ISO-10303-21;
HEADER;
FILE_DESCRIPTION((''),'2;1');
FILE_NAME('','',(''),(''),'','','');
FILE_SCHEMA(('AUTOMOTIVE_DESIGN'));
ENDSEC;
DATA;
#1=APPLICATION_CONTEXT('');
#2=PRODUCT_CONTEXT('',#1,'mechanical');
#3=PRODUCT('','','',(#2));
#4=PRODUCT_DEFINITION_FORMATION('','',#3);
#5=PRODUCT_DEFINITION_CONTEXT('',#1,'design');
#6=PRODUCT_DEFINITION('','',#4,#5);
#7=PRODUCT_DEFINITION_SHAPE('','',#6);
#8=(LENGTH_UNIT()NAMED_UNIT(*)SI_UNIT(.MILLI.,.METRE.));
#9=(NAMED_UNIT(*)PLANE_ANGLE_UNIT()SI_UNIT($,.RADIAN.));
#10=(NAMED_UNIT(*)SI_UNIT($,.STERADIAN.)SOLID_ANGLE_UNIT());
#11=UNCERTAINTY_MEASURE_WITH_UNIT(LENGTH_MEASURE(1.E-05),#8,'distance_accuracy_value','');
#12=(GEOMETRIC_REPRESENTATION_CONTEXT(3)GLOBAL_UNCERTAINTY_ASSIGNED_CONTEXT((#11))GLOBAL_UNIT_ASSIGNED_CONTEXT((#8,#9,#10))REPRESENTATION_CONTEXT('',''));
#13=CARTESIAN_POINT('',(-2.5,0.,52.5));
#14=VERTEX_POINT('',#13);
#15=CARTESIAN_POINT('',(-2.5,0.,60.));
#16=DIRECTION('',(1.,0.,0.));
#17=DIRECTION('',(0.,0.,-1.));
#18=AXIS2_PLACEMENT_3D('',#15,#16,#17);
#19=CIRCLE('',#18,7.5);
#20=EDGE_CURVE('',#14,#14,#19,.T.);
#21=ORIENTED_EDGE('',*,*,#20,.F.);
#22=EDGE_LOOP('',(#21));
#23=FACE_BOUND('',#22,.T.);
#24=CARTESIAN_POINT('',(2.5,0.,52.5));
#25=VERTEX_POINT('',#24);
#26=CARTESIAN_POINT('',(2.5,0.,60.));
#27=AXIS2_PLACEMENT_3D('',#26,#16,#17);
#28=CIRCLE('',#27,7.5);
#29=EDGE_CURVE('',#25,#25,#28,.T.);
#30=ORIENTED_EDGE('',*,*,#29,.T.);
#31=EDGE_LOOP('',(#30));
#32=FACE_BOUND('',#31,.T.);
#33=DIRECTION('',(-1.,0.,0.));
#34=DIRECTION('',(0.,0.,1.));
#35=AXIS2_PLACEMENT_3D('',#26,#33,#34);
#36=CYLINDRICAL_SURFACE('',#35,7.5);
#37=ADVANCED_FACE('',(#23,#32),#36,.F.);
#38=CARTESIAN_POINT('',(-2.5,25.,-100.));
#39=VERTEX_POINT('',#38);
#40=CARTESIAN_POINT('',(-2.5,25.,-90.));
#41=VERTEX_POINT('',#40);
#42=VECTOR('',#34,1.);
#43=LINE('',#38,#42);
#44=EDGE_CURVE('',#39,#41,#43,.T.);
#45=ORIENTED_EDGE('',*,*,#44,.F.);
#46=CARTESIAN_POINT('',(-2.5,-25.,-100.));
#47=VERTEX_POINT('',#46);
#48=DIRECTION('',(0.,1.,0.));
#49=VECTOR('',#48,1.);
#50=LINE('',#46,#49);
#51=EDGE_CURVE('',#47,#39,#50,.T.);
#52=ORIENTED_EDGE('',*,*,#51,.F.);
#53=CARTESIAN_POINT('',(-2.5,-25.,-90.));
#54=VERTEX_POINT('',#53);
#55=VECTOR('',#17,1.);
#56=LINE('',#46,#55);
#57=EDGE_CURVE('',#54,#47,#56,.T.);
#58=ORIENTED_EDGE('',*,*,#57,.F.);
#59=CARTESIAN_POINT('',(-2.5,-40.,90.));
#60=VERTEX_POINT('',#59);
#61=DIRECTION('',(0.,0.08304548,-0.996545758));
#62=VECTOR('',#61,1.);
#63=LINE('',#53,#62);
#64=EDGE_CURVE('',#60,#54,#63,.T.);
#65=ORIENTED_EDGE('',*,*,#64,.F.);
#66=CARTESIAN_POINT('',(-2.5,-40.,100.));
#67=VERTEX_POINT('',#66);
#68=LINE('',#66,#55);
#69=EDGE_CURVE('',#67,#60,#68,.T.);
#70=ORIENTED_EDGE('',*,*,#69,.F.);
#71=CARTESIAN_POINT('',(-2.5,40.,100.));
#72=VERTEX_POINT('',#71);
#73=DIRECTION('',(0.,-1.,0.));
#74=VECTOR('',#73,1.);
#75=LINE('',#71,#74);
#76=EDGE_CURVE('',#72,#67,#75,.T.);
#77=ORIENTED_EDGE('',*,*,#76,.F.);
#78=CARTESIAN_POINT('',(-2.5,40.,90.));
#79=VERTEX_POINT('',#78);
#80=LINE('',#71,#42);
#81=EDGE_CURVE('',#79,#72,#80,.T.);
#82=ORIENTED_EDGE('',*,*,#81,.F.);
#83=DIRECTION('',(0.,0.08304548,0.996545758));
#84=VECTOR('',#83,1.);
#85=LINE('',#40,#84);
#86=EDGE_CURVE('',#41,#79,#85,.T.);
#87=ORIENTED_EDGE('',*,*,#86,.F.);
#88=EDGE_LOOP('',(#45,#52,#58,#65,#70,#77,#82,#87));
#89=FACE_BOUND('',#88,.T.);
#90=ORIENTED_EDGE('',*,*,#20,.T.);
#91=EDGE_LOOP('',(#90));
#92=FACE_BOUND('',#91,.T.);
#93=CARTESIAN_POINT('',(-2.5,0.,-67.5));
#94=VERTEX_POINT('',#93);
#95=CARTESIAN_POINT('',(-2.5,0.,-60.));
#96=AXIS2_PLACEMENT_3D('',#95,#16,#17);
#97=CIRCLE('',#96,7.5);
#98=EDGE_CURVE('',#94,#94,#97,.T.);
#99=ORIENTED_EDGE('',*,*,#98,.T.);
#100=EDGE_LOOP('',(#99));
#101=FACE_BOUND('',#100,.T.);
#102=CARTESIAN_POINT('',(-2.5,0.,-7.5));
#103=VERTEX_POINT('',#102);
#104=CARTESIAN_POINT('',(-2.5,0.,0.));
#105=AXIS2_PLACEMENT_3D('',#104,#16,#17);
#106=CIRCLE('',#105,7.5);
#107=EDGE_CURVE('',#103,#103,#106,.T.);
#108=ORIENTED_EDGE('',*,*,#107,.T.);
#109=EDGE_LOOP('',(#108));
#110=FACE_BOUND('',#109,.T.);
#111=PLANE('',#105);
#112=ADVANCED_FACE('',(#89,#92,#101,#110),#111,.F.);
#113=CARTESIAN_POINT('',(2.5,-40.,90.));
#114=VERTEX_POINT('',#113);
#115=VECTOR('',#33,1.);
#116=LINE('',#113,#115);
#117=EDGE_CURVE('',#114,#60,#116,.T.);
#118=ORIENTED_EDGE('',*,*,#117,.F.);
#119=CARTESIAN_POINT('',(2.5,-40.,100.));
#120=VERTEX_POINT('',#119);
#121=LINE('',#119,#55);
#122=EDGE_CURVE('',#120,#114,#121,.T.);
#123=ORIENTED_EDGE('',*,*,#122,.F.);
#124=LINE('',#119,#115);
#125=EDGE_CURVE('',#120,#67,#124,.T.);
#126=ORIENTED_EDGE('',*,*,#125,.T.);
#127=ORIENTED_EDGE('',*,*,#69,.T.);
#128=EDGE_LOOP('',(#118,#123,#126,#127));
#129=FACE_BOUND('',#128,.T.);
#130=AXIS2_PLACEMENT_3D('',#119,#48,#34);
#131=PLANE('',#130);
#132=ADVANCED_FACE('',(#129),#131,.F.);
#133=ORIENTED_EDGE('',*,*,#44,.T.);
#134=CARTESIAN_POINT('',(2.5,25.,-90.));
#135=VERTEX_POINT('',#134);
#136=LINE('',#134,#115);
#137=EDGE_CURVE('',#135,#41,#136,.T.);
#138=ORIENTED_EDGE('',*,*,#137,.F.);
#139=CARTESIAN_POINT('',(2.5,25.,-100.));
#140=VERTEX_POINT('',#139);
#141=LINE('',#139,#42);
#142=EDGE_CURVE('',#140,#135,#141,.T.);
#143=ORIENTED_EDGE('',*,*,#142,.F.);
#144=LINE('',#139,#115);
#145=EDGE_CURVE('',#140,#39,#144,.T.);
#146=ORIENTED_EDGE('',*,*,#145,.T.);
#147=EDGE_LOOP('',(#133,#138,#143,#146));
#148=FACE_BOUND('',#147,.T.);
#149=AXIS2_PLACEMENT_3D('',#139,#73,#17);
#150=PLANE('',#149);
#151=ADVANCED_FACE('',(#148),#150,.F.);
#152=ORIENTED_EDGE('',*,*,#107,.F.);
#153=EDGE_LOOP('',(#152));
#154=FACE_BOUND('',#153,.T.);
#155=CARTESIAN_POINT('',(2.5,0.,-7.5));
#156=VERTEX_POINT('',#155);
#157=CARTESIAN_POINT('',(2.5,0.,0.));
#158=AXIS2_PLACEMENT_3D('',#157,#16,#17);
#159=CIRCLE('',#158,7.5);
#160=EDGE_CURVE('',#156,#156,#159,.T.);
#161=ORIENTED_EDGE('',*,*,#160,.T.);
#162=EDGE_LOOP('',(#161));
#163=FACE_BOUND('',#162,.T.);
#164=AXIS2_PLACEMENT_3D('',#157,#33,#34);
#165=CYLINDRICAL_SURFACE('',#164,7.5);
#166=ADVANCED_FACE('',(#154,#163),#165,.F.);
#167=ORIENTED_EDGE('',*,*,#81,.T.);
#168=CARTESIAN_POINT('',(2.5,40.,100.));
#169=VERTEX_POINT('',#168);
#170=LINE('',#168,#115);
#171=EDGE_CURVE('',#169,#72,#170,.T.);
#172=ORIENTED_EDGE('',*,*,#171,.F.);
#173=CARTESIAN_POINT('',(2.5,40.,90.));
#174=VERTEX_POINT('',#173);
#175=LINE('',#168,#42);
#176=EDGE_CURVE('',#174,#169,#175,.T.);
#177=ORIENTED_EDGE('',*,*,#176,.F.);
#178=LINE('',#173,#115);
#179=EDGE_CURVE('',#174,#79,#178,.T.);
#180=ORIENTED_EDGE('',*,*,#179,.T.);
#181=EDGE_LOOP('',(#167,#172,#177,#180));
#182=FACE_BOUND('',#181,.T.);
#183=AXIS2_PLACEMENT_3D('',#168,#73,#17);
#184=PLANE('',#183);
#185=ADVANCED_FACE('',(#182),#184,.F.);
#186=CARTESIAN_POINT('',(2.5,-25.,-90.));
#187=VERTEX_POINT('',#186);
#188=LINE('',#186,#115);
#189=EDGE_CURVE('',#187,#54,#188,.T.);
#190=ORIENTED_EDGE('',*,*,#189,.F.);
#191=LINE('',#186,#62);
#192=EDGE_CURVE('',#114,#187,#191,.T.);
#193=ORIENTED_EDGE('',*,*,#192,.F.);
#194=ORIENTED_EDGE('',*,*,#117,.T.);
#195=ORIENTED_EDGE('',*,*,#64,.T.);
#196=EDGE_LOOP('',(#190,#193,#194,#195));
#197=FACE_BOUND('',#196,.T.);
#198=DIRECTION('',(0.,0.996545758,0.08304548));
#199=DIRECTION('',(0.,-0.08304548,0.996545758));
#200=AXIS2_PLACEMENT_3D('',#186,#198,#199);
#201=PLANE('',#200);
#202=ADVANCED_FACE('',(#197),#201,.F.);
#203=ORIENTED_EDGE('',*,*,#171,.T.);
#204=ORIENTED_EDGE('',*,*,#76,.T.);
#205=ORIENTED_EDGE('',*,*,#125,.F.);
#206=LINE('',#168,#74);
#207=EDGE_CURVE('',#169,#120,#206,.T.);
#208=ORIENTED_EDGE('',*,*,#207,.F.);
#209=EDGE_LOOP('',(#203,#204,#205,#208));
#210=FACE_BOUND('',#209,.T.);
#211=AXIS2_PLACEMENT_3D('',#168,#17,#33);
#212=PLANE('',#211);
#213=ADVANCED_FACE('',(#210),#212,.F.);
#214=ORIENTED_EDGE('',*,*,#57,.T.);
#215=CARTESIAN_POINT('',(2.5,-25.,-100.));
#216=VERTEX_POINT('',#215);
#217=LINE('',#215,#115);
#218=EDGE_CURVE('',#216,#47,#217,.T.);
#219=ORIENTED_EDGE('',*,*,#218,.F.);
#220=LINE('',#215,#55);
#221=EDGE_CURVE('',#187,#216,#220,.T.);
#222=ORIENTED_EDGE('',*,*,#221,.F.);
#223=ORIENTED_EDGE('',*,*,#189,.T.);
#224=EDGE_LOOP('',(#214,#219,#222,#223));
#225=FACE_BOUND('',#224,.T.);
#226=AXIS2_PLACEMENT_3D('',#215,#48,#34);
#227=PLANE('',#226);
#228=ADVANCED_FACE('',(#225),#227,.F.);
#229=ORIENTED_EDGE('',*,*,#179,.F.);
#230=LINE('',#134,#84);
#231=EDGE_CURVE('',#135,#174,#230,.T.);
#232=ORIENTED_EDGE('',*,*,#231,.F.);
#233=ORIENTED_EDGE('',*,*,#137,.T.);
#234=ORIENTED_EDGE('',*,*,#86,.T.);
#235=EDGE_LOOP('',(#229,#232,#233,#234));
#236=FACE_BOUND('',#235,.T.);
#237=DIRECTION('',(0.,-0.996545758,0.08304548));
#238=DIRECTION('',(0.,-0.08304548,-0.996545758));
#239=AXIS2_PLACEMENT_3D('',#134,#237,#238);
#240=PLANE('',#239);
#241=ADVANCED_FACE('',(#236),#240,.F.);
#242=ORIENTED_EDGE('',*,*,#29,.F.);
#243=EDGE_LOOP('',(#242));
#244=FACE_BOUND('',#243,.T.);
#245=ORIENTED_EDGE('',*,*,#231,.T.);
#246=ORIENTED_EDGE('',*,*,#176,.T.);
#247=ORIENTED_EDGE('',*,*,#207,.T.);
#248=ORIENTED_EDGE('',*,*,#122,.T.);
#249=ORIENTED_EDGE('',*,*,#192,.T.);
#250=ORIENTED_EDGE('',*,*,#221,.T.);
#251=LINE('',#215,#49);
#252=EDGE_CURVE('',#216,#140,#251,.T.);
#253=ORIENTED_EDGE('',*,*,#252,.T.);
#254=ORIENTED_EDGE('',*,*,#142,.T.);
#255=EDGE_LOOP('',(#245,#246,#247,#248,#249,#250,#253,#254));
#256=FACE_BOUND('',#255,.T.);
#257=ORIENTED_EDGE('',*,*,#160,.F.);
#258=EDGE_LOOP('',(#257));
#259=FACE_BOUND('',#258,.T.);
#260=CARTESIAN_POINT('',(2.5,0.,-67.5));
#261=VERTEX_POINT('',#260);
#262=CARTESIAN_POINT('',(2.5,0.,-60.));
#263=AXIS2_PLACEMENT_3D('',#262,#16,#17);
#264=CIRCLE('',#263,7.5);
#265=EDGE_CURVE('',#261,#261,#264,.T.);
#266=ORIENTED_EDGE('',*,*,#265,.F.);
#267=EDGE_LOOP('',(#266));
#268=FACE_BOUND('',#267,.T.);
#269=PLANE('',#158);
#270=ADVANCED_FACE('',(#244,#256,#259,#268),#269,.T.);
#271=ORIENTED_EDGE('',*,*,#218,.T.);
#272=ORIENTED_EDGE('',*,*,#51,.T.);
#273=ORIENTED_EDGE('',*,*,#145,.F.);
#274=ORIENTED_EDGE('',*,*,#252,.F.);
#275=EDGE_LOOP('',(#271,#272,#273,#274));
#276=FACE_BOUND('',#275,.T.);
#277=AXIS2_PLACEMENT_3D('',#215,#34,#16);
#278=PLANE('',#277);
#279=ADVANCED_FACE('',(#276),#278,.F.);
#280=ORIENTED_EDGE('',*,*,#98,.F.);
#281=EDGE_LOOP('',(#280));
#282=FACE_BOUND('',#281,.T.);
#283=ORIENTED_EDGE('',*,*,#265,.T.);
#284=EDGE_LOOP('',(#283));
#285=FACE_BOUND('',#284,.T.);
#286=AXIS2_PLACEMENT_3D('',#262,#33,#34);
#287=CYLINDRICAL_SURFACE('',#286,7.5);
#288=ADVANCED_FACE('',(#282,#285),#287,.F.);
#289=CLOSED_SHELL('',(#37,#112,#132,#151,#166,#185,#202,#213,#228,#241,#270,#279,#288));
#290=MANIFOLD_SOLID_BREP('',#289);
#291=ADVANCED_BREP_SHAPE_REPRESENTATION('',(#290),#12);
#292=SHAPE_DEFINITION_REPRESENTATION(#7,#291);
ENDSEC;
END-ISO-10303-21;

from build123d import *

# Parameters (mm, degrees)
SKETCH1_R           = 7.5
BOSS_EXTRUDE1_DEPTH = 2.5


with BuildPart() as part:
    # Sketch1 → Boss-Extrude1 (new, symmetric)
    with BuildSketch(Plane(origin=(0, 0, 0), x_dir=(0, 0, -1), z_dir=(1, 0, 0))):
        Polygon((100, -25), (100, 25), (90, 25), (-90, 40), (-100, 40), (-100, -40), (-90, -40), (90, -25), align=None)
        Circle(SKETCH1_R, mode=Mode.SUBTRACT)
        with Locations((-60, 0)):
            Circle(SKETCH1_R, mode=Mode.SUBTRACT)
        with Locations((60, 0)):
            Circle(SKETCH1_R, mode=Mode.SUBTRACT)
    extrude(amount=BOSS_EXTRUDE1_DEPTH, both=True)


solid = part.part
